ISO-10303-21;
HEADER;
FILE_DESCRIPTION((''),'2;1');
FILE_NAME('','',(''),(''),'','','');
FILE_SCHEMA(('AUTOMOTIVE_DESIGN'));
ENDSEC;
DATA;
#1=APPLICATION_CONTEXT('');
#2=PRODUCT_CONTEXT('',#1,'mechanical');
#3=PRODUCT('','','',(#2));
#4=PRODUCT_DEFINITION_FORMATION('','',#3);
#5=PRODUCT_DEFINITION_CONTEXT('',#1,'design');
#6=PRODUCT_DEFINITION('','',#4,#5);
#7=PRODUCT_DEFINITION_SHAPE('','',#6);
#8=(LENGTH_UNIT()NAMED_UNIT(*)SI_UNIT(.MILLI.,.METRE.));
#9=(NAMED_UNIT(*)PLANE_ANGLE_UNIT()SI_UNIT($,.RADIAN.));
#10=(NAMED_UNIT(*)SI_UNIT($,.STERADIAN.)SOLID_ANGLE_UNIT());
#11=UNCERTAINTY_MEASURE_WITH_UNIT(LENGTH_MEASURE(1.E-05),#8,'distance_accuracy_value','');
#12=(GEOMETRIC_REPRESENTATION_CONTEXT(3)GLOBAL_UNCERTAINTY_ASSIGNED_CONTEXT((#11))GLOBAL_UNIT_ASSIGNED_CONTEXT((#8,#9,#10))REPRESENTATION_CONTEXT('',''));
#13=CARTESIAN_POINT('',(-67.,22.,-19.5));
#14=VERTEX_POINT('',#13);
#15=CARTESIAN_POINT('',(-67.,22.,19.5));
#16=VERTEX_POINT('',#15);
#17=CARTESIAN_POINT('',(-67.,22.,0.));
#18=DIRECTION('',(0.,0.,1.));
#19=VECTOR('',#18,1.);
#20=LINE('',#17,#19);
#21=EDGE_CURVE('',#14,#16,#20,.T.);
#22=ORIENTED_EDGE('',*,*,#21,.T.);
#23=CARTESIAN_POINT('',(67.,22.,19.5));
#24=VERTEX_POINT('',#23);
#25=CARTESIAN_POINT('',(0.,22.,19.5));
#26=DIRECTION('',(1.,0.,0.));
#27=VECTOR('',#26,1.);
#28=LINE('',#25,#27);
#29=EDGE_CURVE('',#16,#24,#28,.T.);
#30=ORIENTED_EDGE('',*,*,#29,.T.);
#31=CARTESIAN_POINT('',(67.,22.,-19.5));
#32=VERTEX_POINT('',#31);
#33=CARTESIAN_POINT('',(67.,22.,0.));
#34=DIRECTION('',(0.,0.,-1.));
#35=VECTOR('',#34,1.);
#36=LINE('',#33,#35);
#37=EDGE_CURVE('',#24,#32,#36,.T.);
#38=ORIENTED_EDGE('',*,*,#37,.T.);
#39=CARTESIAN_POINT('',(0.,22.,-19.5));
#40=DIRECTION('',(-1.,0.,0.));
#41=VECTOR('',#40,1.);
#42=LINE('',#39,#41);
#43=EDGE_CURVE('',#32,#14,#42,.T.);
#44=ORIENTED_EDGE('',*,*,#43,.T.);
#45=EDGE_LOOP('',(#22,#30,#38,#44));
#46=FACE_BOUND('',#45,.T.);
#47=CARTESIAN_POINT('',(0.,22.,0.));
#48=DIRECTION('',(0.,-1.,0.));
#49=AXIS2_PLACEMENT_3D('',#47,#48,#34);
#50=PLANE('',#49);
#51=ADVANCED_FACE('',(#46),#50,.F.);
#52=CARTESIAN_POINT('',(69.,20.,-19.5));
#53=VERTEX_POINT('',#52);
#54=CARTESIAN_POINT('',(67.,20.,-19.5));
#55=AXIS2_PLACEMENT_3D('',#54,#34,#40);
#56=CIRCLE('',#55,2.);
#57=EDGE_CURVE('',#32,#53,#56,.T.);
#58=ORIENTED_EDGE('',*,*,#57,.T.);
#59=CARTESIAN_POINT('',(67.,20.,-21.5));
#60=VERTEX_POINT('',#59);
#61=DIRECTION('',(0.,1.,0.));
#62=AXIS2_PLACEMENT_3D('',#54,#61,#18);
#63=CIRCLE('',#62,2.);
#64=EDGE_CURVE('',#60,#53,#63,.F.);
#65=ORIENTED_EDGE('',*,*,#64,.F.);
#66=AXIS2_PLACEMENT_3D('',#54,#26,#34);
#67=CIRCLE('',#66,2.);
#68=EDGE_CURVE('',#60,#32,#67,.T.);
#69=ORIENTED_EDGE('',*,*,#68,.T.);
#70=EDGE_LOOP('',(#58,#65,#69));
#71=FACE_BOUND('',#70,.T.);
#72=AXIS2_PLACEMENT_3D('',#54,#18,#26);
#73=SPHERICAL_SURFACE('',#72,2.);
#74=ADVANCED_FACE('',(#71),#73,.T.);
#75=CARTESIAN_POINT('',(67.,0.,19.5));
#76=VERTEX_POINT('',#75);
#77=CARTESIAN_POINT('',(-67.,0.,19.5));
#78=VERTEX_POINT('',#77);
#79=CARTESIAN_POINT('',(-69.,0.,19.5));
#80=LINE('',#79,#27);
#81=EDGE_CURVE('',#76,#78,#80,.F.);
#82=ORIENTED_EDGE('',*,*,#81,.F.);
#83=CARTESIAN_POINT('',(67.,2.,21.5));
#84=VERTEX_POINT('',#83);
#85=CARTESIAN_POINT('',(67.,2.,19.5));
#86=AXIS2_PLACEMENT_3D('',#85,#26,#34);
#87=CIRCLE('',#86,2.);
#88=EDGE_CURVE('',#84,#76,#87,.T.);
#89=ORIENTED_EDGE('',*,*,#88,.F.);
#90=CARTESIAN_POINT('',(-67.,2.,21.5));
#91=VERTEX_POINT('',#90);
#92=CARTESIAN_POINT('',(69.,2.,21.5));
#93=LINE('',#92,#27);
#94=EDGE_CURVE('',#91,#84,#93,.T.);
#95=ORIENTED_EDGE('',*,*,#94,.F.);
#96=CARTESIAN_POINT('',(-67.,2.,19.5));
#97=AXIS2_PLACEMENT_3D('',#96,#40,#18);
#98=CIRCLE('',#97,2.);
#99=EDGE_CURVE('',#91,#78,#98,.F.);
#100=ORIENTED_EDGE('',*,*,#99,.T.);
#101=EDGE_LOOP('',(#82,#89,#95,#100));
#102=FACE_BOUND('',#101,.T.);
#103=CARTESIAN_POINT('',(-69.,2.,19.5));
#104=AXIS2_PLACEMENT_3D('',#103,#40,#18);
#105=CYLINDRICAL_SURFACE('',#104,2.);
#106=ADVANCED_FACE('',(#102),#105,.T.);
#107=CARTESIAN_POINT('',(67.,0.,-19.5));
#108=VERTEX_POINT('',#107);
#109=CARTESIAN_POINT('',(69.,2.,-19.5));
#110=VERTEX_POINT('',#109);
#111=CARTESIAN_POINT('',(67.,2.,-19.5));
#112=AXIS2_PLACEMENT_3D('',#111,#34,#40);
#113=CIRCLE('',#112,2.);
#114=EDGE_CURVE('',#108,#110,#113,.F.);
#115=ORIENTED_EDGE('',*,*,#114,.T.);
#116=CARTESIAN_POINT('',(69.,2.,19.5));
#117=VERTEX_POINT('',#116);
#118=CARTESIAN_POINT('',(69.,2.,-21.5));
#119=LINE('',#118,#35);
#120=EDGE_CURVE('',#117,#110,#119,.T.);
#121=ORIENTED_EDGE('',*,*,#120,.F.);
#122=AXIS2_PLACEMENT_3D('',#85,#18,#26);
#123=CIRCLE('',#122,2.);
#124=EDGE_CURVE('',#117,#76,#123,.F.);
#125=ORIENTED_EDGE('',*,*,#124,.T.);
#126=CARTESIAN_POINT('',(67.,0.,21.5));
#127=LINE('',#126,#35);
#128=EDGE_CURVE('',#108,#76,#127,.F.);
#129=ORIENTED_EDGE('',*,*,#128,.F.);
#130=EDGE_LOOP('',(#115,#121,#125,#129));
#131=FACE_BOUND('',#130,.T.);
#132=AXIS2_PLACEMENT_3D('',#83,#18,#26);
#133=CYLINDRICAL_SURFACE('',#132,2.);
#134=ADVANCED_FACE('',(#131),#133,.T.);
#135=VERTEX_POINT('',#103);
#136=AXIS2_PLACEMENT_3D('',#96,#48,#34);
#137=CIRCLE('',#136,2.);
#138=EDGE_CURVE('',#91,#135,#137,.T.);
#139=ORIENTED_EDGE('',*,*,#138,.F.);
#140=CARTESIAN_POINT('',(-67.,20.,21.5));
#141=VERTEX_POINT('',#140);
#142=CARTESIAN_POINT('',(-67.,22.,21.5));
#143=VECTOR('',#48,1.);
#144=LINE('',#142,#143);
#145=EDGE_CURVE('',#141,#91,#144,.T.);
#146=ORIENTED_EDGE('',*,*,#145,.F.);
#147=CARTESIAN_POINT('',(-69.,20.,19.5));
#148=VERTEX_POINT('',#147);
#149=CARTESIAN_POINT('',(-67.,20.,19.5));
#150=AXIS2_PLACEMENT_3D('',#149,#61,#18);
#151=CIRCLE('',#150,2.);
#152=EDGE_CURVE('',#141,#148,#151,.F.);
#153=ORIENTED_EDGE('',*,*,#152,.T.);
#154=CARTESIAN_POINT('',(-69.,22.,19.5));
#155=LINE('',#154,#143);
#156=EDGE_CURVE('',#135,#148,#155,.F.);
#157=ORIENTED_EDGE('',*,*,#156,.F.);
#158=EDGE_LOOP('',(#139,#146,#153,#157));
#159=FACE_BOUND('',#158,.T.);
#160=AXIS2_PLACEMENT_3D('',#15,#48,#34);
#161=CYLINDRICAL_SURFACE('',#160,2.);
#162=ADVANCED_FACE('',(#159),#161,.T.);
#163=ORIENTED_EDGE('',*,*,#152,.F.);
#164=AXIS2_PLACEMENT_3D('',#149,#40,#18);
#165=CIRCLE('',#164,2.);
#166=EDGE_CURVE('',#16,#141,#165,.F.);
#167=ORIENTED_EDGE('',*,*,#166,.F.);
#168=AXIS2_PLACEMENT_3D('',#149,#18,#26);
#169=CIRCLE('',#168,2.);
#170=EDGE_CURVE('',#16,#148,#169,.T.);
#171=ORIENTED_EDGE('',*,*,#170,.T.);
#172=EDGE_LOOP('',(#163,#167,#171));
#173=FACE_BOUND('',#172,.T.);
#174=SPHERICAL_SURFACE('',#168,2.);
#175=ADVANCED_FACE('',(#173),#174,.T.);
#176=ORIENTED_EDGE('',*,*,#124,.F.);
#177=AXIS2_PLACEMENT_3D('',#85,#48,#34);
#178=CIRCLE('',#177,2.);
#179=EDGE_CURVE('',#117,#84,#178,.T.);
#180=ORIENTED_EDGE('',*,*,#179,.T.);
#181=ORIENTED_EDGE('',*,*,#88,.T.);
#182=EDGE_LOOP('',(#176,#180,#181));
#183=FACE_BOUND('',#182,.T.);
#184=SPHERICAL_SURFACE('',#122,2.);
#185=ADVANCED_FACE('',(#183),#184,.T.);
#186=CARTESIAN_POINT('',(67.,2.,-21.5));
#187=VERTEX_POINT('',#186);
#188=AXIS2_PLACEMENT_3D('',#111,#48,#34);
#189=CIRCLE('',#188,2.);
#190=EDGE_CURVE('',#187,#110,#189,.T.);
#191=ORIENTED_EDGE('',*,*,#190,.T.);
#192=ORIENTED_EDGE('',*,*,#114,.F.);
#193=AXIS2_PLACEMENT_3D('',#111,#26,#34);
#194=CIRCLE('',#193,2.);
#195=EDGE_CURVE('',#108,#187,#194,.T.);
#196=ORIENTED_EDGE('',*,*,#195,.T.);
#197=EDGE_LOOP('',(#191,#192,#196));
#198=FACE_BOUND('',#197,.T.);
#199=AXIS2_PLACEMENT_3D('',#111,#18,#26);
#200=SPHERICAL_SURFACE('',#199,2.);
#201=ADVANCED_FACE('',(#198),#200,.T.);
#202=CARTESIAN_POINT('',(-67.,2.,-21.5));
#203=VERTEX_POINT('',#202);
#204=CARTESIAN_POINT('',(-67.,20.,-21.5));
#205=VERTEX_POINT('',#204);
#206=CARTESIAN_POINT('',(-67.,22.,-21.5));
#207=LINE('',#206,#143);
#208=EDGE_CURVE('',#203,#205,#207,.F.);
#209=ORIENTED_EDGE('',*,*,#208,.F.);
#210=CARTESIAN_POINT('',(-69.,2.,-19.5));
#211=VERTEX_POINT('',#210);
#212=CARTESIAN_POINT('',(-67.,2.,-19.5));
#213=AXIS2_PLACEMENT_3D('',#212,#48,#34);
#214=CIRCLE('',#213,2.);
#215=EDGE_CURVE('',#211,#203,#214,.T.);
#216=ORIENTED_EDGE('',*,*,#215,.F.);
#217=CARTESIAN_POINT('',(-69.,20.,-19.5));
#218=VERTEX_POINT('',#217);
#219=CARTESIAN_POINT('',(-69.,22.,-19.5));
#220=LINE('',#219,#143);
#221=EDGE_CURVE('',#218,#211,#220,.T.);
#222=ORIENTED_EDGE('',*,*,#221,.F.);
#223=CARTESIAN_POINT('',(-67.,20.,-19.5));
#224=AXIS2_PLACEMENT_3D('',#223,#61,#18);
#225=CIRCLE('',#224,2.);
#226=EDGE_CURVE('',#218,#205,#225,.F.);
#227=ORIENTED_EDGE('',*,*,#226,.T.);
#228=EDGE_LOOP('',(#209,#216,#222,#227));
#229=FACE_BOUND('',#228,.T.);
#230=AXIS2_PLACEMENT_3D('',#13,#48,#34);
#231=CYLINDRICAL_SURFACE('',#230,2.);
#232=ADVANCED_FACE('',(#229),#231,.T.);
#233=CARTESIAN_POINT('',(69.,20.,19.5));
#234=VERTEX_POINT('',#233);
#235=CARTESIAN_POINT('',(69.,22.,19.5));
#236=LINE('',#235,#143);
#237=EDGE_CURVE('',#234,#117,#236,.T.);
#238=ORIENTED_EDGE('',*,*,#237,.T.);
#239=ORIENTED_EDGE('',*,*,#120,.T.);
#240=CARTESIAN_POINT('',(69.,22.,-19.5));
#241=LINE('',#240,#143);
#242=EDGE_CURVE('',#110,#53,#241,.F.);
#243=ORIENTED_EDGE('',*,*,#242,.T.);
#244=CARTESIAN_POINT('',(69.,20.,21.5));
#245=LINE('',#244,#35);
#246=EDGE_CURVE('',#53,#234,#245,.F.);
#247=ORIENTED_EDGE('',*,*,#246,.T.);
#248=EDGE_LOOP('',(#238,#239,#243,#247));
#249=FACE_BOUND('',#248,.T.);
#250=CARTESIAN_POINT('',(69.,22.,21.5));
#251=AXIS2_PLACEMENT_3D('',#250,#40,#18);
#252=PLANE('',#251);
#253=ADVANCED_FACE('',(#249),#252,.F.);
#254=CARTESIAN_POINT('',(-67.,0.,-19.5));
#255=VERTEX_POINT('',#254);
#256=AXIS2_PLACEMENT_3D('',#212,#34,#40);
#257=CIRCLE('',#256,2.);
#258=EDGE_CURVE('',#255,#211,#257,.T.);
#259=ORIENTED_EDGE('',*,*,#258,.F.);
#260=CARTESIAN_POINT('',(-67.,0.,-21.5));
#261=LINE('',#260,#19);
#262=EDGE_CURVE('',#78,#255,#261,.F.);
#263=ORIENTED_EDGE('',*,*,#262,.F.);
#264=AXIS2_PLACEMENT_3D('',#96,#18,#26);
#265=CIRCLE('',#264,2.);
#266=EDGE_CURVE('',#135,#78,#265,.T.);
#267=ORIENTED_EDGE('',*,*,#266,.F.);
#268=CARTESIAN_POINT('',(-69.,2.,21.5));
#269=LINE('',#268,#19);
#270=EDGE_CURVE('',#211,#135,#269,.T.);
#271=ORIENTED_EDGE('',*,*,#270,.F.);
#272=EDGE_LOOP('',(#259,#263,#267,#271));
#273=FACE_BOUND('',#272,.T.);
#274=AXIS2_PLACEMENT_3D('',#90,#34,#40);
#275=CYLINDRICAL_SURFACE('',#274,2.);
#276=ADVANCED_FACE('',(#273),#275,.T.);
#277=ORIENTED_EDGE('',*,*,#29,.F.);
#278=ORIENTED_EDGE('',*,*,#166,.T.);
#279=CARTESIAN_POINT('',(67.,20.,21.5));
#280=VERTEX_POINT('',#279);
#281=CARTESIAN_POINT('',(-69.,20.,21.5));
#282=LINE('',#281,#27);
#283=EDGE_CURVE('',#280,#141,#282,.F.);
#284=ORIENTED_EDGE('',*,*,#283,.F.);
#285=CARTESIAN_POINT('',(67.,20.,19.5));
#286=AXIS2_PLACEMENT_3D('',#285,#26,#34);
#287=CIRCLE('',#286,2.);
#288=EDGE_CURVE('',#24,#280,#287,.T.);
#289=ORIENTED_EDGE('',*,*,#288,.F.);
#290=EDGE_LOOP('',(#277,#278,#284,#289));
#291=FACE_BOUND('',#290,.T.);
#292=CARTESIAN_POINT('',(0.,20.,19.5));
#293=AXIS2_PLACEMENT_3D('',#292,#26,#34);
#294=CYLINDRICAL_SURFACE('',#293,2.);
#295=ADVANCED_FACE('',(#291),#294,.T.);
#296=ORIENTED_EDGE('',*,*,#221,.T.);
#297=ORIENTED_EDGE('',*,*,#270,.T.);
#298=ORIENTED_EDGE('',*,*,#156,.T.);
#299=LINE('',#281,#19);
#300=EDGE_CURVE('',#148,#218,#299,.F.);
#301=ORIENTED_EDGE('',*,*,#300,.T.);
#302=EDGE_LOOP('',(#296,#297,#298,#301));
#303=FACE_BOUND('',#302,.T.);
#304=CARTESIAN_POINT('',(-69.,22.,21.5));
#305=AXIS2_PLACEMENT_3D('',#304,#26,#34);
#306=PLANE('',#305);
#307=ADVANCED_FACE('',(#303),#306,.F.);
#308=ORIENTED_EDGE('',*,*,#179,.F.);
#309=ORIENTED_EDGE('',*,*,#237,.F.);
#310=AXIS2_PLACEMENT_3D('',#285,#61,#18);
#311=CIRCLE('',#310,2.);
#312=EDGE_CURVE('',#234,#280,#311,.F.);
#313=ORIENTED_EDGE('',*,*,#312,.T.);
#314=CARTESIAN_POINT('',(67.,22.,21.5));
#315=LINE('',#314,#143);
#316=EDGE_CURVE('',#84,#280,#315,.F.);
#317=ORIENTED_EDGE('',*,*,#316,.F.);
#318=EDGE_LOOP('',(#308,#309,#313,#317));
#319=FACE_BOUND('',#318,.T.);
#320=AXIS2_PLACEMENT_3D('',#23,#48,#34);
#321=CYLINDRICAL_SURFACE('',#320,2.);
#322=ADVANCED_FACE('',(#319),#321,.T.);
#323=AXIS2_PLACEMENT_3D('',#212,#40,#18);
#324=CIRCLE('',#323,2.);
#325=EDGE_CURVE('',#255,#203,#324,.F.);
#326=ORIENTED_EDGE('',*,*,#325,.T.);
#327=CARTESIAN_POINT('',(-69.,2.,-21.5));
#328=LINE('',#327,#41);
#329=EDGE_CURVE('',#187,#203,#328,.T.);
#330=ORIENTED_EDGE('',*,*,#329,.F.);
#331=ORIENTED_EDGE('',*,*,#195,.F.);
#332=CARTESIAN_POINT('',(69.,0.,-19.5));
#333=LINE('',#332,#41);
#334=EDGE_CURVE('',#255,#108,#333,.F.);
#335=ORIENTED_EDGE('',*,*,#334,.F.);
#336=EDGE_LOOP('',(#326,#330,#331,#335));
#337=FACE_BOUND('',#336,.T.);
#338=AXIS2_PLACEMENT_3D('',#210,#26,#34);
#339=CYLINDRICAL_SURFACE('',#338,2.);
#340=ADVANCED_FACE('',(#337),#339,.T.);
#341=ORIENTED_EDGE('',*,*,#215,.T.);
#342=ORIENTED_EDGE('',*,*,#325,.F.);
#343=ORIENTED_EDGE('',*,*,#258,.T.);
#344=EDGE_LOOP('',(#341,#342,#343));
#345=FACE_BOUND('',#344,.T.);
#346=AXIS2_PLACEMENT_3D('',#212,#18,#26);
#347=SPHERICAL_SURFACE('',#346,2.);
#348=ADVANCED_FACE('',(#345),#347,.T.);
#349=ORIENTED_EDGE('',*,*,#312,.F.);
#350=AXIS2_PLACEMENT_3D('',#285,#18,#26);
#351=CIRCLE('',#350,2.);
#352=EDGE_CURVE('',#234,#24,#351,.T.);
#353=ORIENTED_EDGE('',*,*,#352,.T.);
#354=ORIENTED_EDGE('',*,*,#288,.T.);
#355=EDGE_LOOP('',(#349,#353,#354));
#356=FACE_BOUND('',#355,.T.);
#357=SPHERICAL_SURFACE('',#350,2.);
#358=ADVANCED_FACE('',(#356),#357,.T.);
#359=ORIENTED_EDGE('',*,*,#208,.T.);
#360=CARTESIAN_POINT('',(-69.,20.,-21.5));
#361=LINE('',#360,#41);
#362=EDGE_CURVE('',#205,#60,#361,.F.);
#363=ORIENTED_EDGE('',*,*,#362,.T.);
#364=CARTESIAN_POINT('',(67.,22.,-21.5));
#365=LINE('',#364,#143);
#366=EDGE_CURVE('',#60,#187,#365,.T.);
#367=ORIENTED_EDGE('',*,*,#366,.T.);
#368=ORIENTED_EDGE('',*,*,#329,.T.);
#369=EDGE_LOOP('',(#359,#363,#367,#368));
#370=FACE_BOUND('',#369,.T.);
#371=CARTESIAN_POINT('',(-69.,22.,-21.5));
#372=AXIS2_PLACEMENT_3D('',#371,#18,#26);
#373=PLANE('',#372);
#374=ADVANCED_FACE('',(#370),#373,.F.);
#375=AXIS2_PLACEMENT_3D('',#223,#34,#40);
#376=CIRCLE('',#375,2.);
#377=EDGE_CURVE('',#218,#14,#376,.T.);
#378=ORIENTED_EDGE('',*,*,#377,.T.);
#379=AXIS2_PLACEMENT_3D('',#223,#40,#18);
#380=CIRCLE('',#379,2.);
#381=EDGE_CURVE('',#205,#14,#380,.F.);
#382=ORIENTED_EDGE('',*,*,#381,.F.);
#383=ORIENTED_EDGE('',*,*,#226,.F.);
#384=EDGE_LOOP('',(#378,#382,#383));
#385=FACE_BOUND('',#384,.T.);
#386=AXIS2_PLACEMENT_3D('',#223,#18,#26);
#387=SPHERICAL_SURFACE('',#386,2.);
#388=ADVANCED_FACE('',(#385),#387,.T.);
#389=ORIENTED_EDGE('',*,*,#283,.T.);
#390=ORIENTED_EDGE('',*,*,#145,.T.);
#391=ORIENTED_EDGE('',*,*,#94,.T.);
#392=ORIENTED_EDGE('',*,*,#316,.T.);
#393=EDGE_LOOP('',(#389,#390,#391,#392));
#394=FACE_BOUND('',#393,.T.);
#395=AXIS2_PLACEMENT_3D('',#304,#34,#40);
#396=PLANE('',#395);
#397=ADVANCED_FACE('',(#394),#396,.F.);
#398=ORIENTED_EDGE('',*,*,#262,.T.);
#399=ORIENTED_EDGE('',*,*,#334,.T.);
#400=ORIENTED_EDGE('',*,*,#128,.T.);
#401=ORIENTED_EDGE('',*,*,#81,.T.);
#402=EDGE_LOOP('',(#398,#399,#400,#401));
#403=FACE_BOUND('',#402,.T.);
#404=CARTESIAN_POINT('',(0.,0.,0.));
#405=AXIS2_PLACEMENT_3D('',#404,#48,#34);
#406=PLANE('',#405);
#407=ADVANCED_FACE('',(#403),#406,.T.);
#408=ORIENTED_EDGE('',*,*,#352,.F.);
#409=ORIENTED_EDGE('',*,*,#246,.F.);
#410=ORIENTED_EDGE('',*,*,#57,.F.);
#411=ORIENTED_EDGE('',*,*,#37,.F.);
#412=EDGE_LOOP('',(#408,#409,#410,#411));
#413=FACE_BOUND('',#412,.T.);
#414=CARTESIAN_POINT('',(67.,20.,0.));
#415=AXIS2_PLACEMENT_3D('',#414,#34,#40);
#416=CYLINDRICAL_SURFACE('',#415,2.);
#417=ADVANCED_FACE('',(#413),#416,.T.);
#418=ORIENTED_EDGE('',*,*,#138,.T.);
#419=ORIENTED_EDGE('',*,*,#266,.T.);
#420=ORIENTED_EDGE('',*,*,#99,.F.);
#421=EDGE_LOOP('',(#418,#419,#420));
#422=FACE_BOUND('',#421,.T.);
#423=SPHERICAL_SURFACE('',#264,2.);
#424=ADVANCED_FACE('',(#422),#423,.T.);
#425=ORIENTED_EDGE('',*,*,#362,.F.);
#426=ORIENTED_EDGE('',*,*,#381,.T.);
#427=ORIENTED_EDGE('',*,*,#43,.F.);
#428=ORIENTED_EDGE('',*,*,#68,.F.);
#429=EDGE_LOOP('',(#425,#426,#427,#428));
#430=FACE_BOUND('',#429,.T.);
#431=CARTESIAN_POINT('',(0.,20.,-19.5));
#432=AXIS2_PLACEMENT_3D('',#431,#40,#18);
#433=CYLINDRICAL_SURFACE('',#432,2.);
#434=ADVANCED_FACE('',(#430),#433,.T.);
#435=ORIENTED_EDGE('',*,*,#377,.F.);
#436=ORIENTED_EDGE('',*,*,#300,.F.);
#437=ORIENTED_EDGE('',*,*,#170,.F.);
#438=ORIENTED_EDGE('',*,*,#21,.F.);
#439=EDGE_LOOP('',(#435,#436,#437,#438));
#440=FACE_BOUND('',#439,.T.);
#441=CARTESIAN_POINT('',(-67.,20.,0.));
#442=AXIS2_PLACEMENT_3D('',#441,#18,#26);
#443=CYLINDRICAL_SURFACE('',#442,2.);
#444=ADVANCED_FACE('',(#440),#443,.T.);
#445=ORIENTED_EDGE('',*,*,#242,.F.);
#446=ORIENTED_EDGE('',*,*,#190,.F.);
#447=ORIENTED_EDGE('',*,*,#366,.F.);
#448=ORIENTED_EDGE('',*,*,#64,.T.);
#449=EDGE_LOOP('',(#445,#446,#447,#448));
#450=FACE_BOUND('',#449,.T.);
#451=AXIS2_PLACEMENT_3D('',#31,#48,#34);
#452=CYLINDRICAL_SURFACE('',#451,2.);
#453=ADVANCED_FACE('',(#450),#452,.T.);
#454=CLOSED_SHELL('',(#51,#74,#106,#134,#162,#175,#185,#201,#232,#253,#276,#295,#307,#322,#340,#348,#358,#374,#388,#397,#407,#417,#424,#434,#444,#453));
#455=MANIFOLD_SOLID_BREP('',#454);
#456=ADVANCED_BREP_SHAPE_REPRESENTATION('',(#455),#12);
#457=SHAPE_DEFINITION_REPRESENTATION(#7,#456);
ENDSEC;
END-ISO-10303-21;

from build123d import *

# Parameters (mm, degrees)
SKIZZE1_W          = 138
SKIZZE1_H          = 43
GRUNDKOERPER_DEPTH = 22
VERRUNDUNG1_R      = 2


with BuildPart() as part:
    # Skizze1 → Grundkoerper (new body)
    with BuildSketch(Plane(origin=(0, 0, 0), x_dir=(1, 0, 0), z_dir=(0, 1, 0))):
        Rectangle(SKIZZE1_W, SKIZZE1_H)
    extrude(amount=GRUNDKOERPER_DEPTH)

    # Verrundung1
    verrundung1_edges = [part.edges().sort_by_distance(p)[0] for p in [
        (-69, 22, 0),
        (0, 22, 21.5),
        (69, 22, 0),
        (0, 0, 21.5),
        (-69, 0, 0),
        (0, 0, -21.5),
        (69, 0, 0),
        (0, 22, -21.5),
        (69, 11, 21.5),
        (-69, 11, 21.5),
        (-69, 11, -21.5),
        (69, 11, -21.5),
    ]]
    fillet(verrundung1_edges, radius=VERRUNDUNG1_R)


solid = part.part
